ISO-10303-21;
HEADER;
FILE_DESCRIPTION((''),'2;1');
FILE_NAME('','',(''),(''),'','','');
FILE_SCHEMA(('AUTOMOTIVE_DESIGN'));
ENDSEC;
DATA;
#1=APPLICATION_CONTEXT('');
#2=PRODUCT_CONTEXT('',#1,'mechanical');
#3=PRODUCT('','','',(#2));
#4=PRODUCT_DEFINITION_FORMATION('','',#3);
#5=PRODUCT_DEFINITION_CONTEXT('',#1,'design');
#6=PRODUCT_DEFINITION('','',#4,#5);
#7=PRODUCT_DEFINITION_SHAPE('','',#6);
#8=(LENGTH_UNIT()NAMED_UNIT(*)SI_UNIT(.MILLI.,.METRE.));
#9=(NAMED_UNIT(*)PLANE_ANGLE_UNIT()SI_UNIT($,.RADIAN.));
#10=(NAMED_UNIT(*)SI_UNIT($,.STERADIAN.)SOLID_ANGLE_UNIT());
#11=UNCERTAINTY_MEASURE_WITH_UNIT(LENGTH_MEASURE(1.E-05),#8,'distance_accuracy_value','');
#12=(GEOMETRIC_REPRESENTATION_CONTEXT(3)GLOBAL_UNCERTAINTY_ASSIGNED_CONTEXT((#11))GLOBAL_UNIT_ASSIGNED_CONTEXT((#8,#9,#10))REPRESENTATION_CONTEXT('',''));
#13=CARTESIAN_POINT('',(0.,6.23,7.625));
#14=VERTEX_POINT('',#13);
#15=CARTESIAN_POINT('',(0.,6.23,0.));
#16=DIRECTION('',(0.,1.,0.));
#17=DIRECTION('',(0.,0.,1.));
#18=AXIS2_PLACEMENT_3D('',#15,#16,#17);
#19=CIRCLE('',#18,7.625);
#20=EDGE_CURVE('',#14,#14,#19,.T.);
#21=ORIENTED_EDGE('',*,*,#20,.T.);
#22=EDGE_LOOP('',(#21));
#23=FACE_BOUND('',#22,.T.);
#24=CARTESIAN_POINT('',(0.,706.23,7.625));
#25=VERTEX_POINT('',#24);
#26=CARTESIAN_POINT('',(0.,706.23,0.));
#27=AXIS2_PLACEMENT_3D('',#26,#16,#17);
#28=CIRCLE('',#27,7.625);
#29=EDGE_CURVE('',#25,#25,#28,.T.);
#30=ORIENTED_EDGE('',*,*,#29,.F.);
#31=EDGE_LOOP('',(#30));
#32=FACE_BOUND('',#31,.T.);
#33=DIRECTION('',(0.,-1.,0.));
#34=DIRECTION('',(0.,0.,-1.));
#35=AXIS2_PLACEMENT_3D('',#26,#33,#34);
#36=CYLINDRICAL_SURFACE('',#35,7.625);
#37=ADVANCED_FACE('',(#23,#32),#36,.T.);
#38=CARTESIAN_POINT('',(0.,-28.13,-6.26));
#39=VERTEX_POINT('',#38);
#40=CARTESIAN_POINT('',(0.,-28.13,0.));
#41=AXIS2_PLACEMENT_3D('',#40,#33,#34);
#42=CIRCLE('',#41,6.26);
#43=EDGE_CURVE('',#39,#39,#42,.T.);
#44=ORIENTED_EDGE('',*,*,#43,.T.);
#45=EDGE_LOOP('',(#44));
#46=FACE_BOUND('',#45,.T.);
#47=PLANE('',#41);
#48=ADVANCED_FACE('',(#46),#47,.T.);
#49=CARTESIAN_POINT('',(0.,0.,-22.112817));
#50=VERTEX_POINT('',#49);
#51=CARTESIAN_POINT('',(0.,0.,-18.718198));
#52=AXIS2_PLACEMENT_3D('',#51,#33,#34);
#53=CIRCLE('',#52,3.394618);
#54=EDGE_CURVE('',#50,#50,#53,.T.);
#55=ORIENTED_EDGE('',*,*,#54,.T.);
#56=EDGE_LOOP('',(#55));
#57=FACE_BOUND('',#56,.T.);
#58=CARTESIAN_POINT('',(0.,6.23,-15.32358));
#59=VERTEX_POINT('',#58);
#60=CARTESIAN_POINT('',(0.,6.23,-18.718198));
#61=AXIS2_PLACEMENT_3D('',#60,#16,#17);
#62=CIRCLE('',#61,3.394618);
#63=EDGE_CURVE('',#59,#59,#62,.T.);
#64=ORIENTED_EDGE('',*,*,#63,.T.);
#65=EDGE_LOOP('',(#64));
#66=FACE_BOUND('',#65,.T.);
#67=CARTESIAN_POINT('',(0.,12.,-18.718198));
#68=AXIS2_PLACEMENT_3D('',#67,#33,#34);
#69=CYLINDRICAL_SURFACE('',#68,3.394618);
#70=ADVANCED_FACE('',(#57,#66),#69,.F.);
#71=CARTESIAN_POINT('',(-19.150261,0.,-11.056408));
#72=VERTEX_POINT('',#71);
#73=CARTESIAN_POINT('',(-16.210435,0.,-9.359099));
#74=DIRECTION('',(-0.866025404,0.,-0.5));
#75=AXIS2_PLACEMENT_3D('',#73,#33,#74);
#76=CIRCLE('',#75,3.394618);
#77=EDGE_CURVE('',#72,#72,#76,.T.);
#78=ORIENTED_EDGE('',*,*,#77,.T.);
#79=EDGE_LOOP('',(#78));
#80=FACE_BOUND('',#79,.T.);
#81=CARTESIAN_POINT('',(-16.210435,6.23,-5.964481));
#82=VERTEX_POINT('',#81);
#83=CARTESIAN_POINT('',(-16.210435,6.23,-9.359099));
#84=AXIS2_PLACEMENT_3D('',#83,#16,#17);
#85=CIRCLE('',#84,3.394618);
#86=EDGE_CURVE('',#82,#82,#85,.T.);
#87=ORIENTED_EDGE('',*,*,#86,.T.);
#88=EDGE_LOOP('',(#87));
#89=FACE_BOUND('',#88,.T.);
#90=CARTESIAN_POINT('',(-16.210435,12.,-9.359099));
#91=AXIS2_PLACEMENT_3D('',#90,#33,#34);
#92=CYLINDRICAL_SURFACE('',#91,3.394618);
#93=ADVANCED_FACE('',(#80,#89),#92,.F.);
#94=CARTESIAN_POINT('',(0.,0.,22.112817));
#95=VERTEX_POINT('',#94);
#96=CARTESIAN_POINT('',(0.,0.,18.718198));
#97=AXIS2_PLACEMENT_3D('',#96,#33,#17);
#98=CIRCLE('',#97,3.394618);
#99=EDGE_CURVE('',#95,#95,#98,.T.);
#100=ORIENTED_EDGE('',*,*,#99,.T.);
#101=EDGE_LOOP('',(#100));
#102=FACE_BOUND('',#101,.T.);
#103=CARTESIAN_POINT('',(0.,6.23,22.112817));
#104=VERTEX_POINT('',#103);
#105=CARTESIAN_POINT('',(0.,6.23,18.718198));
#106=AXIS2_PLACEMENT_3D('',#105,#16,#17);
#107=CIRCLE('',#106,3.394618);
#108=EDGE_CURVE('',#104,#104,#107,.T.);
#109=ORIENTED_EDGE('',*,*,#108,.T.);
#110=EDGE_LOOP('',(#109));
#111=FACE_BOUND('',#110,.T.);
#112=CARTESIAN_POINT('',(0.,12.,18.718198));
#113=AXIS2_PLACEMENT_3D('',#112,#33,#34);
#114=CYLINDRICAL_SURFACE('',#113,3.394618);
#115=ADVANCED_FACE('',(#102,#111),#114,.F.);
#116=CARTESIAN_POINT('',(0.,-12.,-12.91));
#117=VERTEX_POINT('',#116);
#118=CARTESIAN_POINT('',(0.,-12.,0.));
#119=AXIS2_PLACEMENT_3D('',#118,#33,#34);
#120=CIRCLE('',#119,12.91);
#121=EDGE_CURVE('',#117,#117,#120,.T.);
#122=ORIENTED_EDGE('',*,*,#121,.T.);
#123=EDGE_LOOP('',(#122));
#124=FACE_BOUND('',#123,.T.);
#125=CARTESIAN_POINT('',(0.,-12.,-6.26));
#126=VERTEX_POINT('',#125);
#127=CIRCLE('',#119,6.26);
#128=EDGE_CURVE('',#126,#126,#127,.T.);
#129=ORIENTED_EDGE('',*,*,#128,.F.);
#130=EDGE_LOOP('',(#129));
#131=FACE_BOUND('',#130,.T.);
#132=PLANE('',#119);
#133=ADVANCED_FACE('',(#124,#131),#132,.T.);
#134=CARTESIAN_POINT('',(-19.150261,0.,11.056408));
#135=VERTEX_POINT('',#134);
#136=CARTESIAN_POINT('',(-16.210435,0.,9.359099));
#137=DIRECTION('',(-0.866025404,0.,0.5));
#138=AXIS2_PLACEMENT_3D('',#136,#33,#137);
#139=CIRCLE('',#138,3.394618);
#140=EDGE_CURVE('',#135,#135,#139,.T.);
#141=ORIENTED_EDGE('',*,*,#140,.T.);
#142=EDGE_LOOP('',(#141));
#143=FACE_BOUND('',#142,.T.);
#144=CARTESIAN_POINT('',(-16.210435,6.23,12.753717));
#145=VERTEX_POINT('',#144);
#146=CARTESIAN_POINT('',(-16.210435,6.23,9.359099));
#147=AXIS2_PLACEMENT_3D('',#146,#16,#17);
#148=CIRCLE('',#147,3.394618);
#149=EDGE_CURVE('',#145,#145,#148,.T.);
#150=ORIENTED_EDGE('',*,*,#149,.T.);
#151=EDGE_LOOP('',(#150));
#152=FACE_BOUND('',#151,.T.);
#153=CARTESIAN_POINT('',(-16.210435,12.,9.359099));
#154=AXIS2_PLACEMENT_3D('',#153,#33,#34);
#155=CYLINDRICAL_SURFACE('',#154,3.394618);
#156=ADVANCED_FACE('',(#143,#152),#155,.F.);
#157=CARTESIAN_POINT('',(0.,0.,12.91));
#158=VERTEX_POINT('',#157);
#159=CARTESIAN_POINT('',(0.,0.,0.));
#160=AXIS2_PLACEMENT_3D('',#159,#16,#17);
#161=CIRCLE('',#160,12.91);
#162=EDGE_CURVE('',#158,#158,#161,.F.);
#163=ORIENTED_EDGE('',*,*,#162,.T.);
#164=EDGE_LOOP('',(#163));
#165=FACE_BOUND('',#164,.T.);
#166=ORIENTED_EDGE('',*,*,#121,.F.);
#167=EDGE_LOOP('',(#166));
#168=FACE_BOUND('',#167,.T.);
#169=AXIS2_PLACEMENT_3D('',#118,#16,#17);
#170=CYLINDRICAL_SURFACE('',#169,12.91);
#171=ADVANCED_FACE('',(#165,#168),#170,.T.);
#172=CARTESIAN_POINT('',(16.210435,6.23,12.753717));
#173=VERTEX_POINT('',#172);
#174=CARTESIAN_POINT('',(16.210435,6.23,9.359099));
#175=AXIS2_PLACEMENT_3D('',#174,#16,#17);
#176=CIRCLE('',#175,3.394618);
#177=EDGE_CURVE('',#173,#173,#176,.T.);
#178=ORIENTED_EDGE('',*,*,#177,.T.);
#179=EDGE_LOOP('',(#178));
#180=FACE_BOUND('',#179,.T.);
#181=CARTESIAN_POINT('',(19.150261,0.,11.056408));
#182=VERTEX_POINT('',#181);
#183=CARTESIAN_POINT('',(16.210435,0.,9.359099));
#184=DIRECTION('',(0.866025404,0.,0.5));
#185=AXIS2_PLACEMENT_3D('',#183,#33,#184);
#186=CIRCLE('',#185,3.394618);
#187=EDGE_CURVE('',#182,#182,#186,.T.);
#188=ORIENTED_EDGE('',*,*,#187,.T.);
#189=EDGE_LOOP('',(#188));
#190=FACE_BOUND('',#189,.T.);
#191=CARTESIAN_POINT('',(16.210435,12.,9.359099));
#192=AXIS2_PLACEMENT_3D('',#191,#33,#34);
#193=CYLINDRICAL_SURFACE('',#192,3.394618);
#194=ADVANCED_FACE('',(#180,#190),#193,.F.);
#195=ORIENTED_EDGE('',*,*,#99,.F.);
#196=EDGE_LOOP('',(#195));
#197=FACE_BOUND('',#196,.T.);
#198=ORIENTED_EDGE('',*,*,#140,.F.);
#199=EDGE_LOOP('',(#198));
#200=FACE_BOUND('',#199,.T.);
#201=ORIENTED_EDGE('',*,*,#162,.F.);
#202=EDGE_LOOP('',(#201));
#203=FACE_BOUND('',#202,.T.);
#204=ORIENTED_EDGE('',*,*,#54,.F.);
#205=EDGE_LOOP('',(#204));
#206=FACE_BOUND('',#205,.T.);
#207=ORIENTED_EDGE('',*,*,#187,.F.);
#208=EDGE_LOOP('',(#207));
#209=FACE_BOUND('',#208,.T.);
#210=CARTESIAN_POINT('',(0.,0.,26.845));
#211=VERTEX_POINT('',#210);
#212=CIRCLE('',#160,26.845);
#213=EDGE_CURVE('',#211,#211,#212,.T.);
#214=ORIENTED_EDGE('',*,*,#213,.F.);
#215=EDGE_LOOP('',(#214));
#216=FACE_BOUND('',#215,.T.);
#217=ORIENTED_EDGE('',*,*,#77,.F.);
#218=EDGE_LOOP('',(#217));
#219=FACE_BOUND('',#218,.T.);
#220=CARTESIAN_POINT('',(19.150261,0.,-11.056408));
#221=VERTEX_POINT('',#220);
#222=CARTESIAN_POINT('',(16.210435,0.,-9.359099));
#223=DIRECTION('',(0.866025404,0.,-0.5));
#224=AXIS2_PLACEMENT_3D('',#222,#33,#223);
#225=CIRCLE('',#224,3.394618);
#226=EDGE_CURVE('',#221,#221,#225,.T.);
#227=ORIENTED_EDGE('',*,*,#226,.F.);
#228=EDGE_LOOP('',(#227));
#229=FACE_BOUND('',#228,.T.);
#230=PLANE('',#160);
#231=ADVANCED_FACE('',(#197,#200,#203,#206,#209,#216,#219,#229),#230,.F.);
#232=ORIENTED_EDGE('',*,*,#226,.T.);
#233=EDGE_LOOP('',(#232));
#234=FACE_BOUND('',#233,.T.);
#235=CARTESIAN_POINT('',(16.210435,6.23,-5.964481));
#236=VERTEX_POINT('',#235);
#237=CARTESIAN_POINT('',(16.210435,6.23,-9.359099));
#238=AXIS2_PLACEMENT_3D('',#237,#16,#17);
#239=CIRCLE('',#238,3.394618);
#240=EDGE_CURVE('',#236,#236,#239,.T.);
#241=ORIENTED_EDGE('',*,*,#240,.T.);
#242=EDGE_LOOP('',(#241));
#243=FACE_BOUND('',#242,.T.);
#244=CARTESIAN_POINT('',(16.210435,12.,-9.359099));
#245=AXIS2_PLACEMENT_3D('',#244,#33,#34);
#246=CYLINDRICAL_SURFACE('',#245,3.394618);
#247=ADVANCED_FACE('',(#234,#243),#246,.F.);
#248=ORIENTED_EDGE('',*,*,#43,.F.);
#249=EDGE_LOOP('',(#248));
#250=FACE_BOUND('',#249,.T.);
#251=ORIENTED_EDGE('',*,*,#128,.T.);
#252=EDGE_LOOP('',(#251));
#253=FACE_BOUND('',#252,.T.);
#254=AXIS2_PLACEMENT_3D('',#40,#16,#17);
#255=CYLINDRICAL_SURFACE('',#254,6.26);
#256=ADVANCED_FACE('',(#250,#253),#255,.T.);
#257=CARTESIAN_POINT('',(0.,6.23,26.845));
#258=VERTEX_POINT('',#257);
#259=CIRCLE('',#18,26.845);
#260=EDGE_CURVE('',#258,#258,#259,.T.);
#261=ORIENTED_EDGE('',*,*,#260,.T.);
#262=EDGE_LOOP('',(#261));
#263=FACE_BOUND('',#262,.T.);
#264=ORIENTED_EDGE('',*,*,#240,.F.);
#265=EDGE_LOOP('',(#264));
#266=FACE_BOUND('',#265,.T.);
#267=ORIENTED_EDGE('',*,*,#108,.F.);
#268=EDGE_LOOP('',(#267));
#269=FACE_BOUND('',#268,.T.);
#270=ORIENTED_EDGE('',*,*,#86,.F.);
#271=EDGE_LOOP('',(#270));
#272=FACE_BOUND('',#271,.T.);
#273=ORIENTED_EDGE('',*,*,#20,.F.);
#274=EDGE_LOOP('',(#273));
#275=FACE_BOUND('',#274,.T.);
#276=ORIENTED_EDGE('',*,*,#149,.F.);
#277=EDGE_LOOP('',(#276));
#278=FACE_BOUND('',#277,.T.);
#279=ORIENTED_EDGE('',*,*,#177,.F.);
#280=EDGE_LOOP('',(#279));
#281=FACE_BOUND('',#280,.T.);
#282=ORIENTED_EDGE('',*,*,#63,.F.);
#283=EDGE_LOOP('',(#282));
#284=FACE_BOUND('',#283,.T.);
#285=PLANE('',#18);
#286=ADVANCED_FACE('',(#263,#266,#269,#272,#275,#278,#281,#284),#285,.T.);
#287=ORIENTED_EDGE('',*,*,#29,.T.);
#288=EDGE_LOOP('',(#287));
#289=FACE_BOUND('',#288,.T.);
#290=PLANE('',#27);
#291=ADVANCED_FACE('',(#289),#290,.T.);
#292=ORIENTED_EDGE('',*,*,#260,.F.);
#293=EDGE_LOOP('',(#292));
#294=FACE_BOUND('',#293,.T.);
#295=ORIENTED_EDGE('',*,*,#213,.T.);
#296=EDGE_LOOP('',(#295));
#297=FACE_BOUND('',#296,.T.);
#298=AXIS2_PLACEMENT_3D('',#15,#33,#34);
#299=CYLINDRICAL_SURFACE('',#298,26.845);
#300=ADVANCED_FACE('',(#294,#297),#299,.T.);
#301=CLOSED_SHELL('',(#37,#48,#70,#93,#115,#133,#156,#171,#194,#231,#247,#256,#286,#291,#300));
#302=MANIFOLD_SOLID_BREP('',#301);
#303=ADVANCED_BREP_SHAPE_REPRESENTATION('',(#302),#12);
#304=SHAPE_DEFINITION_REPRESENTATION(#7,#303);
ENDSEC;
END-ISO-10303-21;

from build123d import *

# Parameters (mm, degrees)
SKETCH1_R           = 26.845
BOSS_EXTRUDE1_DEPTH = 6.23
SKETCH2_R           = 7.625
BOSS_EXTRUDE2_DEPTH = 700
SKETCH3_R           = 12.91
BOSS_EXTRUDE3_DEPTH = 12
SKETCH4_R           = 3.394618091
CUT_EXTRUDE1_DEPTH  = 12
CIRPATTERN1_COUNT   = 6
SKETCH6_R           = 6.26
BOSS_EXTRUDE4_DEPTH = 16.13


with BuildPart() as part:
    # Sketch1 → Boss-Extrude1 (new body)
    with BuildSketch(Plane(origin=(0, 0, 0), x_dir=(1, 0, 0), z_dir=(0, 1, 0))):
        Circle(SKETCH1_R)
    extrude(amount=BOSS_EXTRUDE1_DEPTH)

    # Sketch2 → Boss-Extrude2 (add)
    with BuildSketch(Plane(origin=(0, 6.23, 0), x_dir=(1, 0, 0), z_dir=(0, 1, 0))):
        Circle(SKETCH2_R)
    extrude(amount=BOSS_EXTRUDE2_DEPTH)

    # Sketch3 → Boss-Extrude3 (add)
    with BuildSketch(Plane.XZ):
        Circle(SKETCH3_R)
    extrude(amount=BOSS_EXTRUDE3_DEPTH)

    # Sketch4 → Cut-Extrude1 (cut)
    with BuildSketch(Plane(origin=(0, 0, 0), x_dir=(-1, 0, 0), z_dir=(0, -1, 0))):
        with Locations((0, 18.718198498)):
            Circle(SKETCH4_R)
    cut_extrude1 = extrude(amount=-CUT_EXTRUDE1_DEPTH, mode=Mode.SUBTRACT)

    # CirPattern1: Cut-Extrude1 ×6 about axis
    cirpattern1_axis = Axis((0, -12, 0), (0, 1, 0))
    for i in range(1, CIRPATTERN1_COUNT):
        add(cut_extrude1.rotate(cirpattern1_axis, i * 360 / CIRPATTERN1_COUNT), mode=Mode.SUBTRACT)

    # Sketch6 → Boss-Extrude4 (add)
    with BuildSketch(Plane(origin=(0, -12, 0), x_dir=(-1, 0, 0), z_dir=(0, -1, 0))):
        Circle(SKETCH6_R)
    extrude(amount=BOSS_EXTRUDE4_DEPTH)


solid = part.part
